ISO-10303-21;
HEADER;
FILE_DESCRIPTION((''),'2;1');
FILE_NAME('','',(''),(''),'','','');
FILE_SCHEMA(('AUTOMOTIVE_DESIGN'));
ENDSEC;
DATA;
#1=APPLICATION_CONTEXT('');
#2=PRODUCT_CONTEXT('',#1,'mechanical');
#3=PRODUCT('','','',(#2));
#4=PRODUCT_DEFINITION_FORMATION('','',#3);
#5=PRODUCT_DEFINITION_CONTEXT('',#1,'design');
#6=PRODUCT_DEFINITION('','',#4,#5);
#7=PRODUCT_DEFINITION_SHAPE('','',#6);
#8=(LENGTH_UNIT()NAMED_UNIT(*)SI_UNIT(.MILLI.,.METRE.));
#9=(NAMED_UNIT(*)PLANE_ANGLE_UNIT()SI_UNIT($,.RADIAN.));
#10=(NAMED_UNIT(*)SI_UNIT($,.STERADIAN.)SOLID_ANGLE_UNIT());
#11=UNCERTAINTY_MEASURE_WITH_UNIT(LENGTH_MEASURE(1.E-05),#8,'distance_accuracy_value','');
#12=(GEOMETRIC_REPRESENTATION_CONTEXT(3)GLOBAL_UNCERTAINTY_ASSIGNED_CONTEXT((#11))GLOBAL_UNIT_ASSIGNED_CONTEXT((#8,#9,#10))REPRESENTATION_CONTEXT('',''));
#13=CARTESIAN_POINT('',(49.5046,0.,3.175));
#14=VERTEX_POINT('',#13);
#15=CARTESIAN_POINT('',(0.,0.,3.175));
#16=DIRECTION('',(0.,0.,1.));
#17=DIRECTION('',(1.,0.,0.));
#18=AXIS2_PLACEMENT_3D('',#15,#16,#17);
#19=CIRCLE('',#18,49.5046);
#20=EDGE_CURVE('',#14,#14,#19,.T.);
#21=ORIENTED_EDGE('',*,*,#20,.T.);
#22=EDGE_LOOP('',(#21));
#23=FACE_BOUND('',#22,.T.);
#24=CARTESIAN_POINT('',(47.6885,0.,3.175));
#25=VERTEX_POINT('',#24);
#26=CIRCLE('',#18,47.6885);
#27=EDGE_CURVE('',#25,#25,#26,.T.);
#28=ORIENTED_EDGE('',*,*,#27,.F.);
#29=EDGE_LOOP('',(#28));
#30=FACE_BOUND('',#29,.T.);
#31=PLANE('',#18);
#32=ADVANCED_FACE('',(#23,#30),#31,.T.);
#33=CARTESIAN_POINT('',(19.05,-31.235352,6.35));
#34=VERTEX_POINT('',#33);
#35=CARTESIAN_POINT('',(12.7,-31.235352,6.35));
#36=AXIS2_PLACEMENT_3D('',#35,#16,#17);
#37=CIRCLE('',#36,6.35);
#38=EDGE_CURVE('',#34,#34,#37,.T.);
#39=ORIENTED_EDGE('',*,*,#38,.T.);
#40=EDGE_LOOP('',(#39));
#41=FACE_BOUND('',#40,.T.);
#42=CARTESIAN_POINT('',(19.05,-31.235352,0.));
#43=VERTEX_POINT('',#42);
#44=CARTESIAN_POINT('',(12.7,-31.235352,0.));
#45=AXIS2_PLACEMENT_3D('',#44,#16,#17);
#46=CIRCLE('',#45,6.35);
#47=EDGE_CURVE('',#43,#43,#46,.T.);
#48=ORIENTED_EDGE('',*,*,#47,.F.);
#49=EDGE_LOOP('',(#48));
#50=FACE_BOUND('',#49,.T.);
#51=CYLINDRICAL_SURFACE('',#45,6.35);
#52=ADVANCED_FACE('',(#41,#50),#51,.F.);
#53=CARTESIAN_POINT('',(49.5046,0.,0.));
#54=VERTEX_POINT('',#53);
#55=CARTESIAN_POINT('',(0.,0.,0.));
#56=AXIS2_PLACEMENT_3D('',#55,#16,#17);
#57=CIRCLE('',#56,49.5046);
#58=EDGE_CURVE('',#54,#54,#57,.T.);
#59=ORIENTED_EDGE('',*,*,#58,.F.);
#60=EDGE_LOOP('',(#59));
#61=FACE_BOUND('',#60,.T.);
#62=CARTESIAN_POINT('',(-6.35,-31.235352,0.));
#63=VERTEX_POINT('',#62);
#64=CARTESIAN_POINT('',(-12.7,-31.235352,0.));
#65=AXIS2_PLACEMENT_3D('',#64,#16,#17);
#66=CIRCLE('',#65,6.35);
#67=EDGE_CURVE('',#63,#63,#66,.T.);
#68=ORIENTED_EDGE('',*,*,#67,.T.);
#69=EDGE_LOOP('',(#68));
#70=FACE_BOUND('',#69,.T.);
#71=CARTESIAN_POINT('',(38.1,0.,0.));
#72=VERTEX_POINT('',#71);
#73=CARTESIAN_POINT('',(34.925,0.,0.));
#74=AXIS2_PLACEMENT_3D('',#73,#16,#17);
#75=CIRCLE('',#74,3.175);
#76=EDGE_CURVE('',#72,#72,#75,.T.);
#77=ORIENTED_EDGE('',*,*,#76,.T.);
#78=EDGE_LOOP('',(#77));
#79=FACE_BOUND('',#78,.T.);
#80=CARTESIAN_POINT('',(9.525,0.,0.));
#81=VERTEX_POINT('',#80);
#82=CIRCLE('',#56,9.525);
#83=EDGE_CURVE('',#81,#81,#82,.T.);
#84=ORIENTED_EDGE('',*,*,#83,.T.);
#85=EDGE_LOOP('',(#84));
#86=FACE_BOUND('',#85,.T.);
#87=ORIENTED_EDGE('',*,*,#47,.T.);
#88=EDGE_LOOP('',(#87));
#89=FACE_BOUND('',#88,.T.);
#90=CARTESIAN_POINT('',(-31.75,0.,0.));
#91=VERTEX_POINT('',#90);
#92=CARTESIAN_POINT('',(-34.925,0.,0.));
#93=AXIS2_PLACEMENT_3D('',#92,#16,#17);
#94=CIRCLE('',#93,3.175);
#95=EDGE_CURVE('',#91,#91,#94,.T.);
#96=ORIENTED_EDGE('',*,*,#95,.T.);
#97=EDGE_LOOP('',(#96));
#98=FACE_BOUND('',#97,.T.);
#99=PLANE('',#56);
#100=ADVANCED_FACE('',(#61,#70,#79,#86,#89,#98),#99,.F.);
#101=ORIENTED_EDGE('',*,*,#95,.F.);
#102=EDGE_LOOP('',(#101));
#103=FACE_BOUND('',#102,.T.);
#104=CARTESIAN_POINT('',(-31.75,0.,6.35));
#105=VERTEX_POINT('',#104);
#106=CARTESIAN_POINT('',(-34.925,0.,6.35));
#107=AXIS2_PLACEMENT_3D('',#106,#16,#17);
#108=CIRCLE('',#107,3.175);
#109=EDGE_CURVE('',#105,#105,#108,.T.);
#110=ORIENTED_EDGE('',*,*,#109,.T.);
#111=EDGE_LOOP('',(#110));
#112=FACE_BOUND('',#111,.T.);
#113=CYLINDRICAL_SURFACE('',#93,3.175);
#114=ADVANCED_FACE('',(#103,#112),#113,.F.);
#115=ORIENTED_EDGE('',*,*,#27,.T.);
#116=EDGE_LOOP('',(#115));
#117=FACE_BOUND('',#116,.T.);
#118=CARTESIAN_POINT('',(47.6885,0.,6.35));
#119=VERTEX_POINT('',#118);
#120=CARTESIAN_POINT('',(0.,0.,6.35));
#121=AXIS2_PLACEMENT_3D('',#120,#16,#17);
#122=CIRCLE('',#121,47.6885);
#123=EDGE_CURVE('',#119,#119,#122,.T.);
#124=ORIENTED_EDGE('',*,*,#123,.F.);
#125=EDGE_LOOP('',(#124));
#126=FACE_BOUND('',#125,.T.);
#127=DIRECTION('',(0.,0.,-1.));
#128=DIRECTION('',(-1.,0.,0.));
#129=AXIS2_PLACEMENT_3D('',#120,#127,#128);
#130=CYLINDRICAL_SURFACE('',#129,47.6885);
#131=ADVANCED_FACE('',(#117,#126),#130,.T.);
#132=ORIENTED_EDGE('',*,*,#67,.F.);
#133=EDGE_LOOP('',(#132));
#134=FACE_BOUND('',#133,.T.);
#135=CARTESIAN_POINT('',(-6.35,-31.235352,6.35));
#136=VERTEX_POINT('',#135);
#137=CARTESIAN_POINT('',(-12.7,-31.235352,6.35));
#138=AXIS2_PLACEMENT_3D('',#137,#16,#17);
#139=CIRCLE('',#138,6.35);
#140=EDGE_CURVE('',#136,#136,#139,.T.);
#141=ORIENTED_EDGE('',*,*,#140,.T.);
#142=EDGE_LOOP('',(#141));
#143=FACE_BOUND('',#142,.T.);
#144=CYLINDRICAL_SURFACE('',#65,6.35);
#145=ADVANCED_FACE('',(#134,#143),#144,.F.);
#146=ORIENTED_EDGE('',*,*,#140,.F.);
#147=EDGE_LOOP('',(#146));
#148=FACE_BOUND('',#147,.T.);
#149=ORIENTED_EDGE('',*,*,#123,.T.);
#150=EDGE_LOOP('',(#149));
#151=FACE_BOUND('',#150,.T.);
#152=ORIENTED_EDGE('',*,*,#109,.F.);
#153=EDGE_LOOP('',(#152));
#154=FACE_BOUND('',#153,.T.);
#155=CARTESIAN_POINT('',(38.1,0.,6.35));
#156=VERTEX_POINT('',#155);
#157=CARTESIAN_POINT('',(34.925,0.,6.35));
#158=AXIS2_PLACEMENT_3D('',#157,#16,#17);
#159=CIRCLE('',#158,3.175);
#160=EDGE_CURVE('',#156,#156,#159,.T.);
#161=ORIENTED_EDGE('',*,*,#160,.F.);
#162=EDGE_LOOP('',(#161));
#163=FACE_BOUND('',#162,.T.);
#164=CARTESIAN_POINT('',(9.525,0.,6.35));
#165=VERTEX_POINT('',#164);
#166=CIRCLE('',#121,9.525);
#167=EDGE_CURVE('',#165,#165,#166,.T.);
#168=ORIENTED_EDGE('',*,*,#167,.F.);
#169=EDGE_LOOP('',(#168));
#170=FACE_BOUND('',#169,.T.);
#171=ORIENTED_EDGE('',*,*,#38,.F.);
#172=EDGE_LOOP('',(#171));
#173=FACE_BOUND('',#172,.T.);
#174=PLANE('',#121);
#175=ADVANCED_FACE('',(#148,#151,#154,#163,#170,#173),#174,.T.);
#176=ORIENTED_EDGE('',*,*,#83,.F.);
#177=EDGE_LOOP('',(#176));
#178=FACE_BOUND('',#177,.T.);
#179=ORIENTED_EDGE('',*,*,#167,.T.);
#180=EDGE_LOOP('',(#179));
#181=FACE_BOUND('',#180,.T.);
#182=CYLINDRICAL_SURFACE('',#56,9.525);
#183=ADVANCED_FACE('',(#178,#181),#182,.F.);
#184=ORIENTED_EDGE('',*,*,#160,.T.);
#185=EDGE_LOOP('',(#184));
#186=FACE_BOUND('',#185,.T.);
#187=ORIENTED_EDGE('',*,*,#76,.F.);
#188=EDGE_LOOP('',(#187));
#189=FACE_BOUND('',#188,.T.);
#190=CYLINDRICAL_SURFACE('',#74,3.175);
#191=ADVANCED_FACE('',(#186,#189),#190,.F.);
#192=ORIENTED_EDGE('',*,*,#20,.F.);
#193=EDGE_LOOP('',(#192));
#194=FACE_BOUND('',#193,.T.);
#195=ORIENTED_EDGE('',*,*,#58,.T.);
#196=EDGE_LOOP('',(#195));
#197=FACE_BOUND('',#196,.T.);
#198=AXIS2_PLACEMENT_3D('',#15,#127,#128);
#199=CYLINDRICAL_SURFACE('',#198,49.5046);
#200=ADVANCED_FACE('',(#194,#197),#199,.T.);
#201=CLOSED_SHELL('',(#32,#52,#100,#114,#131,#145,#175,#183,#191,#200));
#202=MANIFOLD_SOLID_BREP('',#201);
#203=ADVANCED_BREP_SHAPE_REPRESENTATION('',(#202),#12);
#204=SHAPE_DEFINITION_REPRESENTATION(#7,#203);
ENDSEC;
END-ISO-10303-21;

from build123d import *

# Parameters (mm, degrees)
SKETCH1_R           = 49.5046
BOSS_EXTRUDE1_DEPTH = 3.175
SKETCH2_R           = 47.6885
BOSS_EXTRUDE2_DEPTH = 3.175
SKETCH3_R           = 6.35
SKETCH3_R_2         = 3.175
SKETCH3_R_3         = 9.525
CUT_EXTRUDE1_DEPTH  = 71.297463271


with BuildPart() as part:
    # Sketch1 → Boss-Extrude1 (new body)
    with BuildSketch(Plane.XY):
        Circle(SKETCH1_R)
    extrude(amount=BOSS_EXTRUDE1_DEPTH)

    # Sketch2 → Boss-Extrude2 (add)
    with BuildSketch(Plane.XY.offset(3.175)):
        Circle(SKETCH2_R)
    extrude(amount=BOSS_EXTRUDE2_DEPTH)

    # Sketch3 → Cut-Extrude1 (cut, through all)
    with BuildSketch(Plane.XY.offset(6.35)):
        with Locations((-12.7, -31.235352443)):
            Circle(SKETCH3_R)
        with Locations((12.7, -31.235352443)):
            Circle(SKETCH3_R)
        with Locations((-34.925, 0)):
            Circle(SKETCH3_R_2)
        with Locations((34.925, 0)):
            Circle(SKETCH3_R_2)
        Circle(SKETCH3_R_3)
    extrude(amount=-CUT_EXTRUDE1_DEPTH, mode=Mode.SUBTRACT)


solid = part.part
